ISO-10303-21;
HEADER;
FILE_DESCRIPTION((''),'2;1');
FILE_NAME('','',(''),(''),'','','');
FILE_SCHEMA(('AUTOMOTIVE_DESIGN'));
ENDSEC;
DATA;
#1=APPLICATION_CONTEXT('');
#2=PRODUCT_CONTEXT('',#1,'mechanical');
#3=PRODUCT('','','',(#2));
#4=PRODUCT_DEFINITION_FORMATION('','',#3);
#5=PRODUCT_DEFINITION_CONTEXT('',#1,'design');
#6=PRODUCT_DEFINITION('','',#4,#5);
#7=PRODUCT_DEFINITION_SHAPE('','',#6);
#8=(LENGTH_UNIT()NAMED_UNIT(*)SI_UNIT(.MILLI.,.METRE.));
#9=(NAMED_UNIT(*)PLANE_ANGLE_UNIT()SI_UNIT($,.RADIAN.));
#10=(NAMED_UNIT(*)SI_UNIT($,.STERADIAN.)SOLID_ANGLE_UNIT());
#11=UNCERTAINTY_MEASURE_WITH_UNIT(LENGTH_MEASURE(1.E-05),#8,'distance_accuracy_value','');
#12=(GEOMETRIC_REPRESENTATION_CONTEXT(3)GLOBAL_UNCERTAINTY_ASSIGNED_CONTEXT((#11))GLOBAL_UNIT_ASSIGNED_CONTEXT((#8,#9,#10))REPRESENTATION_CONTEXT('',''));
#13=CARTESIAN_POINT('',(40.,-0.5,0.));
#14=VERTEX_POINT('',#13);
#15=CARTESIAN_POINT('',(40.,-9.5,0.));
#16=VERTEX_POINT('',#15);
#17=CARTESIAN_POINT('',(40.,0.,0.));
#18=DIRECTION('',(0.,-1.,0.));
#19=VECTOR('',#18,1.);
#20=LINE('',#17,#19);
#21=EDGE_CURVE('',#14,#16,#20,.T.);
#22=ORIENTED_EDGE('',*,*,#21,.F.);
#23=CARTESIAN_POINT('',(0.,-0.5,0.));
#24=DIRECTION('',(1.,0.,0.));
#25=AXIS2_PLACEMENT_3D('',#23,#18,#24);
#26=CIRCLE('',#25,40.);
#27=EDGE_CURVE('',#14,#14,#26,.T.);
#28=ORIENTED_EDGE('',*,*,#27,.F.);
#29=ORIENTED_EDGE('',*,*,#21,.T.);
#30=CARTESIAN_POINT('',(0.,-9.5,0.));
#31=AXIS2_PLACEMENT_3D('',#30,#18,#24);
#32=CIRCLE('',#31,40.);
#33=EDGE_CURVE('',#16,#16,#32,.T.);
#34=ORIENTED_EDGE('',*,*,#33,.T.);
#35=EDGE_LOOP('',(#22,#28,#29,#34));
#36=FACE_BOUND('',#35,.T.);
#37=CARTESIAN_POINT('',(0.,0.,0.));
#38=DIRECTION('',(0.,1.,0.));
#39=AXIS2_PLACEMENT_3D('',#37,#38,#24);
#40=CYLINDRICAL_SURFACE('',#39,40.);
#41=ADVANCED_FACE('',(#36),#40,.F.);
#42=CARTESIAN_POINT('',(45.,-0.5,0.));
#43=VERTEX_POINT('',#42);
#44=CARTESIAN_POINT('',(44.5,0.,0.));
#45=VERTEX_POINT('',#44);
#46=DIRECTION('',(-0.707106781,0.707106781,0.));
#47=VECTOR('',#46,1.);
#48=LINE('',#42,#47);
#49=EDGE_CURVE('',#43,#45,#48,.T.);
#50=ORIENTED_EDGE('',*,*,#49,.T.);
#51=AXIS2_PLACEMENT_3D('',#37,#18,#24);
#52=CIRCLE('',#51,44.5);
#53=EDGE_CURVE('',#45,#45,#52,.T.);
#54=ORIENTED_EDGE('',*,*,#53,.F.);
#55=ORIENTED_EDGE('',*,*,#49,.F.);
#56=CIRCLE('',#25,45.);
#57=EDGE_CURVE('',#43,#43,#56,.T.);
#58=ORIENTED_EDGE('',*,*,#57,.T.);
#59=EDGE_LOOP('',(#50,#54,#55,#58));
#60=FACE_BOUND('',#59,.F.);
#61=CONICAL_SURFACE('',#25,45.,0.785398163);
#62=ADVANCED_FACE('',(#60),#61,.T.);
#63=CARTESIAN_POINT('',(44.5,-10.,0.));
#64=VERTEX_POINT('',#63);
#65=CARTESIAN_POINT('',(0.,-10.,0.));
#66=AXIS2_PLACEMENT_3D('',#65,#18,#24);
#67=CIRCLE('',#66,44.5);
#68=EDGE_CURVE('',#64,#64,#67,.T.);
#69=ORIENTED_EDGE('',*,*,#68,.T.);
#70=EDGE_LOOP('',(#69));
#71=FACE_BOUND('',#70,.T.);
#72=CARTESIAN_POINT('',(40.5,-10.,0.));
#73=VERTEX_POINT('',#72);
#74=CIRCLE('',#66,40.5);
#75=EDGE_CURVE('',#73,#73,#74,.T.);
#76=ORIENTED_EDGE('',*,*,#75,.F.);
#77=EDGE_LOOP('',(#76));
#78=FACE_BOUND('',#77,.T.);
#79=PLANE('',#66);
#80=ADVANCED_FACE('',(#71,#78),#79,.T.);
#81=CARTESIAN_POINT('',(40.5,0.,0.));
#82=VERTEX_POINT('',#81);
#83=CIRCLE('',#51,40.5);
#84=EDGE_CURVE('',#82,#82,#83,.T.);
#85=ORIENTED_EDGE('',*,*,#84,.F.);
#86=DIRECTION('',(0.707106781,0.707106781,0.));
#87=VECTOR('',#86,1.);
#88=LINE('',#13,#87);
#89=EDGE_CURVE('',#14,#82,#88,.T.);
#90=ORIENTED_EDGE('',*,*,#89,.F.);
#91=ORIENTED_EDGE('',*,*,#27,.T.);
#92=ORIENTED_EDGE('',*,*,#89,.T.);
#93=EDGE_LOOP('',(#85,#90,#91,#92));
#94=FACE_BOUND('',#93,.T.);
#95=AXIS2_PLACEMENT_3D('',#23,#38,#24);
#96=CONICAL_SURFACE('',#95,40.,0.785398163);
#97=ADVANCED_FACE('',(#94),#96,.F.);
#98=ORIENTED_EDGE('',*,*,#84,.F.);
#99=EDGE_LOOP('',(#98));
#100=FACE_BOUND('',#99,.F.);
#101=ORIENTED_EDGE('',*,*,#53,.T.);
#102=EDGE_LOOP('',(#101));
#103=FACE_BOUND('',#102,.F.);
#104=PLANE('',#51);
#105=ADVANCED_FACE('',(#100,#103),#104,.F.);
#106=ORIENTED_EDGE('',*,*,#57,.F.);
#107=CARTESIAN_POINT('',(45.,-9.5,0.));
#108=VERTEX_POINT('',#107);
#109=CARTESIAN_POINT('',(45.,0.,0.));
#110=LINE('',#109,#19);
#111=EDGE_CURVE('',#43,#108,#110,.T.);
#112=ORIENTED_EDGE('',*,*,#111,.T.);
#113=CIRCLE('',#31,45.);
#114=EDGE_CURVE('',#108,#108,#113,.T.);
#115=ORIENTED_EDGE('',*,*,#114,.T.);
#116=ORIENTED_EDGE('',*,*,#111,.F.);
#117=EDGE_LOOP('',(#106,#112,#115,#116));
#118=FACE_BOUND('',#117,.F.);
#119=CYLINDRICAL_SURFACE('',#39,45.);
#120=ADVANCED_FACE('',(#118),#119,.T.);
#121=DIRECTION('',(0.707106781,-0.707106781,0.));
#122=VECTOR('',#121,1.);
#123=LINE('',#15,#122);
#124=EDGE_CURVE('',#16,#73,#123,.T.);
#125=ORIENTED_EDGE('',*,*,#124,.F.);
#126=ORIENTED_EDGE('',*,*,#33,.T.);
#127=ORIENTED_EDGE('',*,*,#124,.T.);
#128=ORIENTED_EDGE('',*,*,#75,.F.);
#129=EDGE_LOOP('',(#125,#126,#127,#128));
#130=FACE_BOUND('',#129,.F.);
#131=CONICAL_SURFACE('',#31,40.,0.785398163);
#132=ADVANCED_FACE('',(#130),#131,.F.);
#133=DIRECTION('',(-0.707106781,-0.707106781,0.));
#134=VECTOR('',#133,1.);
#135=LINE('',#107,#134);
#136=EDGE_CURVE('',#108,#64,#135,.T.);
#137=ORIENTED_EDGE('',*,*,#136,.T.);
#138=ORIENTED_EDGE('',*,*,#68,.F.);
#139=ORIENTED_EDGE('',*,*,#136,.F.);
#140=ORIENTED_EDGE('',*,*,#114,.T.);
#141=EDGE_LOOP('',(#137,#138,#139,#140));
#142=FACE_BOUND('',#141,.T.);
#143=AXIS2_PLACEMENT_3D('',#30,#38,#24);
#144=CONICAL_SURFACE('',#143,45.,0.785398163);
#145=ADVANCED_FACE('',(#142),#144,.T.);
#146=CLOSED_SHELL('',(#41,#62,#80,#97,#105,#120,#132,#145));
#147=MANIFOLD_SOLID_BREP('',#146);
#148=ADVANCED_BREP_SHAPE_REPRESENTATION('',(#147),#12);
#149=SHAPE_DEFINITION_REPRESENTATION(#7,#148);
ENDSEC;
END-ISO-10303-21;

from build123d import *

# Parameters (mm, degrees)
SKETCH_R     = 45
SKETCH_R_2   = 40
PAD_DEPTH    = 10
CHAMFER_SIZE = 0.5


with BuildPart() as part:
    # Sketch → Pad (new body)
    with BuildSketch(Plane.XZ):
        Circle(SKETCH_R)
        Circle(SKETCH_R_2, mode=Mode.SUBTRACT)
    extrude(amount=PAD_DEPTH)

    # Chamfer
    chamfer_edges = [part.edges().sort_by_distance(p)[0] for p in [
        (-45, -10, 0),
        (-40, -10, 0),
        (-45, 0, 0),
        (-40, 0, 0),
    ]]
    chamfer(chamfer_edges, length=CHAMFER_SIZE)


solid = part.part
